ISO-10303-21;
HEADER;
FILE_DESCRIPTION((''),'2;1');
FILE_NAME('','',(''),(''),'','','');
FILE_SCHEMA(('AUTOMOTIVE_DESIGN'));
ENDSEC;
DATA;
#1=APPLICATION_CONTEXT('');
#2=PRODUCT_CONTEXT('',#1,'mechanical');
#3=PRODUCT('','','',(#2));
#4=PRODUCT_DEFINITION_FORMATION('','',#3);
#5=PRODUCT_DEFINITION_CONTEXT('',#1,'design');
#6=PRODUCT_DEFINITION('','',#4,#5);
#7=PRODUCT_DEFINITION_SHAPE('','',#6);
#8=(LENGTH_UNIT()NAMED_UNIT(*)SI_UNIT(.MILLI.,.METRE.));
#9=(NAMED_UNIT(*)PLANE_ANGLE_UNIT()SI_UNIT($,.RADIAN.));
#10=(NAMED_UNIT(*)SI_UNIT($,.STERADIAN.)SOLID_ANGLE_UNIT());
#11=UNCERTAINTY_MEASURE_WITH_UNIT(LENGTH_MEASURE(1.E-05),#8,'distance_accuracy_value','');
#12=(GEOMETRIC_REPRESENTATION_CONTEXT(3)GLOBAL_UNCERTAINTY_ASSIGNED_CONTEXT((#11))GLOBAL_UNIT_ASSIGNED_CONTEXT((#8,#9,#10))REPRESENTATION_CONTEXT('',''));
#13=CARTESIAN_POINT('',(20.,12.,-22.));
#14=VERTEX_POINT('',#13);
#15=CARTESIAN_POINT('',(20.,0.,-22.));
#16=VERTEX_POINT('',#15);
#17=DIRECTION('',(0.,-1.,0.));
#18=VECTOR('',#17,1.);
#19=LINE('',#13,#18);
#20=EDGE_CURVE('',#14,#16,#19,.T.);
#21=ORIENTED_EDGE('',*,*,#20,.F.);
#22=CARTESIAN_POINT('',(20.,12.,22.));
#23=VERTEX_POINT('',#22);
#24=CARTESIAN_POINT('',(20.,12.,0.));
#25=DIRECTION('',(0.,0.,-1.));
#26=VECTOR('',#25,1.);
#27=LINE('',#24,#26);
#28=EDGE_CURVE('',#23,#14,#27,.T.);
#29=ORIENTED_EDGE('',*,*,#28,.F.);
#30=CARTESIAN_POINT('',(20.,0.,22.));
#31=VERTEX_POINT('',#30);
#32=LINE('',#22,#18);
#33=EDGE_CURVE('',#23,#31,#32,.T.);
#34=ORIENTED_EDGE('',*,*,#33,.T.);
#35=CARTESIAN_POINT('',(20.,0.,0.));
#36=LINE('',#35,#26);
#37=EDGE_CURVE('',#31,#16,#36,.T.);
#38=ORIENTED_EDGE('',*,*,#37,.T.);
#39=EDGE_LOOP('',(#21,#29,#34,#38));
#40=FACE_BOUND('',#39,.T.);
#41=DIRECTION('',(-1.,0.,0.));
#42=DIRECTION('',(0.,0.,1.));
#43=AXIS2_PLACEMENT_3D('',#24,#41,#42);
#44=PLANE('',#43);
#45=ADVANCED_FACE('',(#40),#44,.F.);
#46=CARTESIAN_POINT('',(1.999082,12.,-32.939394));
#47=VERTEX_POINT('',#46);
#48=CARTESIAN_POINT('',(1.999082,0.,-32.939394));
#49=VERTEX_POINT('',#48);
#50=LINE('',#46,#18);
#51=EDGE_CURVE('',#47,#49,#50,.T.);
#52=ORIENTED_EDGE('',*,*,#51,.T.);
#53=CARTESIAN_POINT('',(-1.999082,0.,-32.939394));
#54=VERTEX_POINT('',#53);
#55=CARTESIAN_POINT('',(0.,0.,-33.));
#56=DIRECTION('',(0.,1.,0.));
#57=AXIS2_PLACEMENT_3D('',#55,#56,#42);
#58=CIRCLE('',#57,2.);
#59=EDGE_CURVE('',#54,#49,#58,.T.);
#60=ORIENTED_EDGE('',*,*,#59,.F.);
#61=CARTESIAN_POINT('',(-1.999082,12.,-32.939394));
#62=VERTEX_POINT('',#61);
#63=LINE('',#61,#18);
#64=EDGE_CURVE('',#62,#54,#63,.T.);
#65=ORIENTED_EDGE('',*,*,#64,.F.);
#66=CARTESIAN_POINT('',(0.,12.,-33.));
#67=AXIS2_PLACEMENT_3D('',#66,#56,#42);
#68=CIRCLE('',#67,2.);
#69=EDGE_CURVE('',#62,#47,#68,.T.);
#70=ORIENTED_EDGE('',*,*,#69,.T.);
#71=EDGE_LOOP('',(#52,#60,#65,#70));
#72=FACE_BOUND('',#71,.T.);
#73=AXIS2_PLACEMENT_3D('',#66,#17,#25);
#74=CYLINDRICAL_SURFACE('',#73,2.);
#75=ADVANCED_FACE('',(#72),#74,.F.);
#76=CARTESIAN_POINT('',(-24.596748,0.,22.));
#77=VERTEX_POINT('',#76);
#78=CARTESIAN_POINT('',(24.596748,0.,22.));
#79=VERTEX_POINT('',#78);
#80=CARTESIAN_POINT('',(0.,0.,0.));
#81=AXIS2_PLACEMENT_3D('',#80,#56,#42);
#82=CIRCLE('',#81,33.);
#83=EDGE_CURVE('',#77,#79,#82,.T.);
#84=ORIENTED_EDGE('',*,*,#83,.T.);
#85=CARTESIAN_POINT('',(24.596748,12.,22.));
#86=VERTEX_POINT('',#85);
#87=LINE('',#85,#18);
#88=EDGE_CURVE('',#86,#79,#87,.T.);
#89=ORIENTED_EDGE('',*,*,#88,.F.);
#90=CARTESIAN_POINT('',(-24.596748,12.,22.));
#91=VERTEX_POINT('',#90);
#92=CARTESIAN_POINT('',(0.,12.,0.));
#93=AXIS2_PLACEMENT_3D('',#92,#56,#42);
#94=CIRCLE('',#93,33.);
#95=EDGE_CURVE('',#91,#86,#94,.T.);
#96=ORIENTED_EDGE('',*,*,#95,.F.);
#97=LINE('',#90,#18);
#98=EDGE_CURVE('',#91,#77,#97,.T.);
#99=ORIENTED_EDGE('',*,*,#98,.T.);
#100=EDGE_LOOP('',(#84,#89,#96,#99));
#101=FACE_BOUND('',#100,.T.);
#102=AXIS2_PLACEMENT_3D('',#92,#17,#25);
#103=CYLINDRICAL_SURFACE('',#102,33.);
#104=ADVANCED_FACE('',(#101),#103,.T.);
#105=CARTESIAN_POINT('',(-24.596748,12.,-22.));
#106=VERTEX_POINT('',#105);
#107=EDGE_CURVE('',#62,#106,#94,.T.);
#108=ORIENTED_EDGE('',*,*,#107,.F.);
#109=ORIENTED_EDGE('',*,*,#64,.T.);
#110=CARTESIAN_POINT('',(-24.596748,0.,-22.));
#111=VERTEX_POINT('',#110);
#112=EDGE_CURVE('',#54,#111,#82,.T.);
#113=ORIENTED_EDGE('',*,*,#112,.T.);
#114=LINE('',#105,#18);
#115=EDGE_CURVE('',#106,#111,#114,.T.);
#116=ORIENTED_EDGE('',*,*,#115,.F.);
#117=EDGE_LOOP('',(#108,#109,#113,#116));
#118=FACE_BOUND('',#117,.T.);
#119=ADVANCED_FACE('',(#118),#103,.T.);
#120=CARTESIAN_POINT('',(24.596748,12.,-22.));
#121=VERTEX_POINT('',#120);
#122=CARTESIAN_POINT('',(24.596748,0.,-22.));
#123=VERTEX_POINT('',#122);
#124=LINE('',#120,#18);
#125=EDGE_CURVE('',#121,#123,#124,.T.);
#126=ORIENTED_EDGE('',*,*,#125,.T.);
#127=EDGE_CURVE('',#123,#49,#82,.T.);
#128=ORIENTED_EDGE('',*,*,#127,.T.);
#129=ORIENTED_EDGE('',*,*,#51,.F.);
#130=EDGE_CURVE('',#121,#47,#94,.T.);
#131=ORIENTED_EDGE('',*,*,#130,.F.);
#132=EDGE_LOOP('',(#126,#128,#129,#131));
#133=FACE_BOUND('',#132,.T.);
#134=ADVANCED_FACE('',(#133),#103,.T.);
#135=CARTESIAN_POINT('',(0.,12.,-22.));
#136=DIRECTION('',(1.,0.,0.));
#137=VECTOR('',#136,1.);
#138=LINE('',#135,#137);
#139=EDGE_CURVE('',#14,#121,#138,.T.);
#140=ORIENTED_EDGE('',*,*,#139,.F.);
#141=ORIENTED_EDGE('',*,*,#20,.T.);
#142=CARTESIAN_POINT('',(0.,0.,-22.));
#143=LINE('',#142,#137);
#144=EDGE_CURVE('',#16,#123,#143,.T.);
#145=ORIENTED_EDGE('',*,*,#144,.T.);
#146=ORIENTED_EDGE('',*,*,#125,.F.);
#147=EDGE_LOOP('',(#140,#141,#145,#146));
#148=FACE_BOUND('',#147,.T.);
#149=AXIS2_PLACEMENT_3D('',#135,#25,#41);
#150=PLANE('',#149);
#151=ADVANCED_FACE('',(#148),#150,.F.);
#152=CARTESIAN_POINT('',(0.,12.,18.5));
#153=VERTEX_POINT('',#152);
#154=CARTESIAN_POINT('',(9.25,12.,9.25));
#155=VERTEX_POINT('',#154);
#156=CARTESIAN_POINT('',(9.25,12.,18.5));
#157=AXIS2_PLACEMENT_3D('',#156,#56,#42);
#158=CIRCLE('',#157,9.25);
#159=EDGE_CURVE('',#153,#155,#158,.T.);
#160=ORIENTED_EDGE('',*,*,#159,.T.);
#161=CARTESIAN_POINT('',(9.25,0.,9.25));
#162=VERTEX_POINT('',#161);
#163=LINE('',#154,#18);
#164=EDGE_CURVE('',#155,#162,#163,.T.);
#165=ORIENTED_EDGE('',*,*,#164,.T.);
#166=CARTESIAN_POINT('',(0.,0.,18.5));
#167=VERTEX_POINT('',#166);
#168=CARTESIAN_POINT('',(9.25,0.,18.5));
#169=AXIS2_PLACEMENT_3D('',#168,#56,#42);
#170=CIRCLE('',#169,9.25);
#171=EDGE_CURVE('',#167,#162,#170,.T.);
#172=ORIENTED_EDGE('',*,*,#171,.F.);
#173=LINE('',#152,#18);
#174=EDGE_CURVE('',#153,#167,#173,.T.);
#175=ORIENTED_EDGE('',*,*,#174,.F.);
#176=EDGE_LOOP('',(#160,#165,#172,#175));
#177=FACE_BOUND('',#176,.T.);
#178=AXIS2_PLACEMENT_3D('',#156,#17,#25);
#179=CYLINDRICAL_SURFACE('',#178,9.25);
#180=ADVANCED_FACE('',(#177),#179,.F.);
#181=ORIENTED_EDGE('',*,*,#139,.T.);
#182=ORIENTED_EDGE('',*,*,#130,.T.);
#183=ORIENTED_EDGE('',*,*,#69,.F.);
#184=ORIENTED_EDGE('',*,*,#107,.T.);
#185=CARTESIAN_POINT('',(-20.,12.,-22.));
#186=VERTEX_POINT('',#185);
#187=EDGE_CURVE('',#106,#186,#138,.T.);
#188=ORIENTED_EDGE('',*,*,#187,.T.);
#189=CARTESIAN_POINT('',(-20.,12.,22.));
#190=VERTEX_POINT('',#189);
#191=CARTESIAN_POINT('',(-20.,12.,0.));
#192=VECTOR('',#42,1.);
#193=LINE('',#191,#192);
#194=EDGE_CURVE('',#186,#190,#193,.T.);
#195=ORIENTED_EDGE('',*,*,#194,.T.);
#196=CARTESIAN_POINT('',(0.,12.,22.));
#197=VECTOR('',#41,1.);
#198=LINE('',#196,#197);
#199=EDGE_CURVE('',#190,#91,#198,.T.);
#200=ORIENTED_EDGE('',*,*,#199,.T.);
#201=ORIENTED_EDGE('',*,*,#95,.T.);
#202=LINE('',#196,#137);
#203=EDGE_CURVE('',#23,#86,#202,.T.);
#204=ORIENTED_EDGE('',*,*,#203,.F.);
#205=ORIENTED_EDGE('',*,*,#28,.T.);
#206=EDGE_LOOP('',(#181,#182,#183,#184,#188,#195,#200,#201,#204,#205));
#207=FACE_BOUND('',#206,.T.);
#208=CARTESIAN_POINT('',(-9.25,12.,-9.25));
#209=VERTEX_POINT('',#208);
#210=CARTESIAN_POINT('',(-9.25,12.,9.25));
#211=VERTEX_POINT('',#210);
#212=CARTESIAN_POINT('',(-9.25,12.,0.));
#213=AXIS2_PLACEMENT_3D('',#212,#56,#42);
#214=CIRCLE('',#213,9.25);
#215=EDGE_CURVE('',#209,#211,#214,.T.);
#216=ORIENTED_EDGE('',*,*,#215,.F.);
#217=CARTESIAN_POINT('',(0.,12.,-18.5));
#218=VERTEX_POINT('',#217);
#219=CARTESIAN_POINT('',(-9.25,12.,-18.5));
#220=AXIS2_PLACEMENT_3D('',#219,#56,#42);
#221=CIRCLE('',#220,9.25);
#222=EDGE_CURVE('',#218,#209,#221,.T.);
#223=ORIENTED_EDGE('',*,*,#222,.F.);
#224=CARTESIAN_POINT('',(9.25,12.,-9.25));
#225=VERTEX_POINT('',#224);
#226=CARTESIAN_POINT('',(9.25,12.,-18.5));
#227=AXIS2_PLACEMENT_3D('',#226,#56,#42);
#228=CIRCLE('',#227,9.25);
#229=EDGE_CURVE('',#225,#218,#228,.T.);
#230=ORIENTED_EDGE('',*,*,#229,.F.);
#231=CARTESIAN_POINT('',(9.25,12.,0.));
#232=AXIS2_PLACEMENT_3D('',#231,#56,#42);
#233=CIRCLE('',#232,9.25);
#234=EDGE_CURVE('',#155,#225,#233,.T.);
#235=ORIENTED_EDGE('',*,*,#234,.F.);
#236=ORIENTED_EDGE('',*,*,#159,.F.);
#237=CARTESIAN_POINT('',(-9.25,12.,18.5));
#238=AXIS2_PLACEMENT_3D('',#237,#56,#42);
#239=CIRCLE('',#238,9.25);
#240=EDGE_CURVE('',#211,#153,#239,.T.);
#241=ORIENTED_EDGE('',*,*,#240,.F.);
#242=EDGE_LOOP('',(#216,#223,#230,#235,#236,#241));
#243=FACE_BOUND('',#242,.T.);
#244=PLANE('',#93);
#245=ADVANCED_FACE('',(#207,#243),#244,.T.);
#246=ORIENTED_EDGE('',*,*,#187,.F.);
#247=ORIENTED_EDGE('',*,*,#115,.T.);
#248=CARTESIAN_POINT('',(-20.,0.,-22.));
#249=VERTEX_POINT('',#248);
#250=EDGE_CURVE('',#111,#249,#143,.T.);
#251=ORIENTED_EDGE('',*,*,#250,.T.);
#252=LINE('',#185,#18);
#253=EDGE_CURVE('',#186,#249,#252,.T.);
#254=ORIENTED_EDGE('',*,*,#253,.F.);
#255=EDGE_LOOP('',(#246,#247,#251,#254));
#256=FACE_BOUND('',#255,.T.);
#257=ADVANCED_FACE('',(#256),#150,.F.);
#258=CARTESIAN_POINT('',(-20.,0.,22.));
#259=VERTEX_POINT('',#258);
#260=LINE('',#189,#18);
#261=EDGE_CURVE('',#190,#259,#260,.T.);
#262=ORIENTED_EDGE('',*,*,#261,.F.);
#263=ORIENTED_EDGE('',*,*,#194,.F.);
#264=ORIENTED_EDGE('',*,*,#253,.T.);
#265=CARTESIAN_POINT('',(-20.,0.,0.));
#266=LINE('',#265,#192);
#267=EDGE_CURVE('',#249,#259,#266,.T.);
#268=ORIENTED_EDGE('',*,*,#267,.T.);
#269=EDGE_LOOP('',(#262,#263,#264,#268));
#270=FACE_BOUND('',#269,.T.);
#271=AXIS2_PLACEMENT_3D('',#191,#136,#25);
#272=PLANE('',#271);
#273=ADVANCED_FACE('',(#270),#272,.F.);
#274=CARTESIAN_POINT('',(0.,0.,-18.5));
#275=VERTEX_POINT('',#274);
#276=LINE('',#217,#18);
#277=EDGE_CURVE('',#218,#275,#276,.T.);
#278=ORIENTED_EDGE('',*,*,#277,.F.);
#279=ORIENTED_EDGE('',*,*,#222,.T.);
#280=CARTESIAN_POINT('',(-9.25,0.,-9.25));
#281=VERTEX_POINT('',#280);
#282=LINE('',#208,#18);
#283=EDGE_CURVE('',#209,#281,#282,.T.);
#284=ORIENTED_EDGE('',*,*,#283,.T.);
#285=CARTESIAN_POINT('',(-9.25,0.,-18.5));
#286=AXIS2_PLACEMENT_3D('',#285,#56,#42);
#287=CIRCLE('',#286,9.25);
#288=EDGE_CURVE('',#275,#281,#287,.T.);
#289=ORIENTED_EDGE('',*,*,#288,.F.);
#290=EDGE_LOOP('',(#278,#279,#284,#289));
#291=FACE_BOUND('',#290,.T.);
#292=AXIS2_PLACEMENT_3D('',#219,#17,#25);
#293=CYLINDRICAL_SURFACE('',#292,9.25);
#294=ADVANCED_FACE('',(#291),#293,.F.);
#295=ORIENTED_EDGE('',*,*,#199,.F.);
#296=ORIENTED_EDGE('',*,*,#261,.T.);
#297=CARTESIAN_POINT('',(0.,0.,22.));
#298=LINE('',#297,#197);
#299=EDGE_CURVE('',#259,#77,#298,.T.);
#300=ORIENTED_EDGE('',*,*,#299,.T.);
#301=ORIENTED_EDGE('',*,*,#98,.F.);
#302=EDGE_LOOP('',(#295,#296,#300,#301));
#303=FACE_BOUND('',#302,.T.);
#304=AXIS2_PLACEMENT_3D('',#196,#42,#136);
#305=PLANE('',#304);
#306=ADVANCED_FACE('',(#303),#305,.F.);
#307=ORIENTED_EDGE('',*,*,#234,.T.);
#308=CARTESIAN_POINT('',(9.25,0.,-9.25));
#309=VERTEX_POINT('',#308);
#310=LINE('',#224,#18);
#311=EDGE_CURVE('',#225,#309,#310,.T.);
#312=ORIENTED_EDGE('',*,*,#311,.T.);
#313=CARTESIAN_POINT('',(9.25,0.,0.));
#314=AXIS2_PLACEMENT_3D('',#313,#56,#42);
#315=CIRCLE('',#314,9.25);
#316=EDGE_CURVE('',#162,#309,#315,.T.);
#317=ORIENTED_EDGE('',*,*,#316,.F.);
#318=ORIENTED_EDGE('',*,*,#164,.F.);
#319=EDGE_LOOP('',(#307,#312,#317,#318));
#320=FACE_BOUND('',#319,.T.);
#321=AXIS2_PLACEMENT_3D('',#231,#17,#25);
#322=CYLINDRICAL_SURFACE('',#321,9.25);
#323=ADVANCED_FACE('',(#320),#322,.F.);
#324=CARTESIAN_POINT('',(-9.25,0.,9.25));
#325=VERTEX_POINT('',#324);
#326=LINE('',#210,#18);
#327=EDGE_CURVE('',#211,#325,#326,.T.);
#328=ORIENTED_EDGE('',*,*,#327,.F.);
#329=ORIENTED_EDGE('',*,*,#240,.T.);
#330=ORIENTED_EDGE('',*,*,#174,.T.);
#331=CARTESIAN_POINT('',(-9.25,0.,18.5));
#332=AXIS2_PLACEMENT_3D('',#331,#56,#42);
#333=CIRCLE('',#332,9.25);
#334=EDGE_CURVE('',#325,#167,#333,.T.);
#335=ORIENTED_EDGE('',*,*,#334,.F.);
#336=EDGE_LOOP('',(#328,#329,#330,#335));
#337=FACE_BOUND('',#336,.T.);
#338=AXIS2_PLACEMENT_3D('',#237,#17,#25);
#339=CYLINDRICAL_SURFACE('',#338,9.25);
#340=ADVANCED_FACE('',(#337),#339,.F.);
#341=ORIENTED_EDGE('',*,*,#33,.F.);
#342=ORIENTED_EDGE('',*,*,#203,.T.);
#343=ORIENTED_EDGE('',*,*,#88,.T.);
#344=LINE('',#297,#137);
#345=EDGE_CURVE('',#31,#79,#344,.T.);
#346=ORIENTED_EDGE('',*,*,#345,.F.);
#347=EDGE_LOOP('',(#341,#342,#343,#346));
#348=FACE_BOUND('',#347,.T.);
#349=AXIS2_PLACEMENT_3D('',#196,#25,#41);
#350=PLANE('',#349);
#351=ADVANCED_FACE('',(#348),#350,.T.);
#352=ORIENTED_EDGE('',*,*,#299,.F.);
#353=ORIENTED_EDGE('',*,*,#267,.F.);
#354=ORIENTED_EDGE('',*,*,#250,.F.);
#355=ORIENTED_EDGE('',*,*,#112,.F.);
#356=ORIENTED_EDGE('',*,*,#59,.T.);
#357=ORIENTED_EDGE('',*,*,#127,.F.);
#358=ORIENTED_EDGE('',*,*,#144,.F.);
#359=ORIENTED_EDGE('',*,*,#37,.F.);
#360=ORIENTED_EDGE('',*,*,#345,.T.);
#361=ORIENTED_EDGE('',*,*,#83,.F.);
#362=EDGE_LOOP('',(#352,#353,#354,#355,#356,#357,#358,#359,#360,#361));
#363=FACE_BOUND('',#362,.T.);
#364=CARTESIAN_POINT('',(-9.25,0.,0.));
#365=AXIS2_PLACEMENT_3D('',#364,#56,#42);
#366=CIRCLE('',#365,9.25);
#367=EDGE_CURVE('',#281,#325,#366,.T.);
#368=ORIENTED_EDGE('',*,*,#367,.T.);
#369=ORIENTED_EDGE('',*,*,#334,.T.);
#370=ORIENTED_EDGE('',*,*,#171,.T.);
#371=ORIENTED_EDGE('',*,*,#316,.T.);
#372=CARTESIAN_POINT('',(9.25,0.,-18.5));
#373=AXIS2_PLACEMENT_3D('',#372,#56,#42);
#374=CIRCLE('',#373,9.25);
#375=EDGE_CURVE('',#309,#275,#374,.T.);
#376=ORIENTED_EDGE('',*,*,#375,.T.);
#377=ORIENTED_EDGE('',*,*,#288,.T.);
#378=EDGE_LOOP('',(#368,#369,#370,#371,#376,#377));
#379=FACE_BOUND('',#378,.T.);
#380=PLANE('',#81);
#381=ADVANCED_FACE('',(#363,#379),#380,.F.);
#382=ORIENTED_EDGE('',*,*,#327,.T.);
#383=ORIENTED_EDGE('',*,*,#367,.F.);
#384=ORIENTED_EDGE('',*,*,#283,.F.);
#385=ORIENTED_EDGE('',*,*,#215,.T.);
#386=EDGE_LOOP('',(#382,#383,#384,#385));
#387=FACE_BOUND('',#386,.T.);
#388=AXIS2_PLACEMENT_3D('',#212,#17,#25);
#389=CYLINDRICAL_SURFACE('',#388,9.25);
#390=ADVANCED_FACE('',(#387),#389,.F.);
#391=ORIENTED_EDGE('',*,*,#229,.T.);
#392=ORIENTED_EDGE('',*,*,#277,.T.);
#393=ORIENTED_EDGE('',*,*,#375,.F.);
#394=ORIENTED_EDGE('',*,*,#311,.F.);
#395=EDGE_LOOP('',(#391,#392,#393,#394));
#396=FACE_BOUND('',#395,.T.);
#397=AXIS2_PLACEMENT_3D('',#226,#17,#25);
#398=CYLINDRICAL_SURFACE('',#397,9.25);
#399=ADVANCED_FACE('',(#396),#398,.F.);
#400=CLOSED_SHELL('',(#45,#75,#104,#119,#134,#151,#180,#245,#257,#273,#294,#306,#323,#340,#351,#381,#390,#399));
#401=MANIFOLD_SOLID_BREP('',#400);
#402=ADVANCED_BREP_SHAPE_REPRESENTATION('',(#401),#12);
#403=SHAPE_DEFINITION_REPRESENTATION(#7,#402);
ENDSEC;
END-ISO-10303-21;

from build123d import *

# Parameters (mm, degrees)
Y_KSEKLIK_EKSTR_ZYON1_DEPTH = 12


with BuildPart() as part:
    # Çizim1 → Yükseklik-Ekstrüzyon1 (new body)
    with BuildSketch(Plane(origin=(0, 0, 0), x_dir=(1, 0, 0), z_dir=(0, 1, 0))):
        with BuildLine():
            Line((20, 0), (18.5, 0))
            ThreePointArc((18.5, 0), (15.790737726, -6.540737726), (9.25, -9.25))
            ThreePointArc((9.25, -9.25), (15.790737726, -25.040737726), (0, -18.5))
            ThreePointArc((0, -18.5), (-15.790737726, -25.040737726), (-9.25, -9.25))
            ThreePointArc((-9.25, -9.25), (-15.790737726, -6.540737726), (-18.5, 0))
            Line((-18.5, 0), (-20, 0))
            Line((-20, 0), (-20, -22))
            Line((-20, -22), (-24.596747752, -22))
            ThreePointArc((-24.596747752, -22), (0, -33), (24.596747752, -22))
            Line((24.596747752, -22), (20, -22))
            Line((20, -22), (20, 0))
        make_face()
        with BuildLine():
            ThreePointArc((9.25, 9.25), (15.790737726, 6.540737726), (18.5, 0))
            Line((18.5, 0), (20, 0))
            Line((20, 0), (20, 22))
            Line((20, 22), (24.596747752, 22))
            ThreePointArc((24.596747752, 22), (14.378877514, 29.702657818), (1.999081515, 32.939393939))
            ThreePointArc((1.999081515, 32.939393939), (0, 31), (-1.999081515, 32.939393939))
            ThreePointArc((-1.999081515, 32.939393939), (-14.378877514, 29.702657818), (-24.596747752, 22))
            Line((-24.596747752, 22), (-20, 22))
            Line((-20, 22), (-20, 0))
            Line((-20, 0), (-18.5, 0))
            ThreePointArc((-18.5, 0), (-15.790737726, 6.540737726), (-9.25, 9.25))
            ThreePointArc((-9.25, 9.25), (-15.790737726, 25.040737726), (0, 18.5))
            ThreePointArc((0, 18.5), (15.790737726, 25.040737726), (9.25, 9.25))
        make_face()
    extrude(amount=Y_KSEKLIK_EKSTR_ZYON1_DEPTH)


solid = part.part
